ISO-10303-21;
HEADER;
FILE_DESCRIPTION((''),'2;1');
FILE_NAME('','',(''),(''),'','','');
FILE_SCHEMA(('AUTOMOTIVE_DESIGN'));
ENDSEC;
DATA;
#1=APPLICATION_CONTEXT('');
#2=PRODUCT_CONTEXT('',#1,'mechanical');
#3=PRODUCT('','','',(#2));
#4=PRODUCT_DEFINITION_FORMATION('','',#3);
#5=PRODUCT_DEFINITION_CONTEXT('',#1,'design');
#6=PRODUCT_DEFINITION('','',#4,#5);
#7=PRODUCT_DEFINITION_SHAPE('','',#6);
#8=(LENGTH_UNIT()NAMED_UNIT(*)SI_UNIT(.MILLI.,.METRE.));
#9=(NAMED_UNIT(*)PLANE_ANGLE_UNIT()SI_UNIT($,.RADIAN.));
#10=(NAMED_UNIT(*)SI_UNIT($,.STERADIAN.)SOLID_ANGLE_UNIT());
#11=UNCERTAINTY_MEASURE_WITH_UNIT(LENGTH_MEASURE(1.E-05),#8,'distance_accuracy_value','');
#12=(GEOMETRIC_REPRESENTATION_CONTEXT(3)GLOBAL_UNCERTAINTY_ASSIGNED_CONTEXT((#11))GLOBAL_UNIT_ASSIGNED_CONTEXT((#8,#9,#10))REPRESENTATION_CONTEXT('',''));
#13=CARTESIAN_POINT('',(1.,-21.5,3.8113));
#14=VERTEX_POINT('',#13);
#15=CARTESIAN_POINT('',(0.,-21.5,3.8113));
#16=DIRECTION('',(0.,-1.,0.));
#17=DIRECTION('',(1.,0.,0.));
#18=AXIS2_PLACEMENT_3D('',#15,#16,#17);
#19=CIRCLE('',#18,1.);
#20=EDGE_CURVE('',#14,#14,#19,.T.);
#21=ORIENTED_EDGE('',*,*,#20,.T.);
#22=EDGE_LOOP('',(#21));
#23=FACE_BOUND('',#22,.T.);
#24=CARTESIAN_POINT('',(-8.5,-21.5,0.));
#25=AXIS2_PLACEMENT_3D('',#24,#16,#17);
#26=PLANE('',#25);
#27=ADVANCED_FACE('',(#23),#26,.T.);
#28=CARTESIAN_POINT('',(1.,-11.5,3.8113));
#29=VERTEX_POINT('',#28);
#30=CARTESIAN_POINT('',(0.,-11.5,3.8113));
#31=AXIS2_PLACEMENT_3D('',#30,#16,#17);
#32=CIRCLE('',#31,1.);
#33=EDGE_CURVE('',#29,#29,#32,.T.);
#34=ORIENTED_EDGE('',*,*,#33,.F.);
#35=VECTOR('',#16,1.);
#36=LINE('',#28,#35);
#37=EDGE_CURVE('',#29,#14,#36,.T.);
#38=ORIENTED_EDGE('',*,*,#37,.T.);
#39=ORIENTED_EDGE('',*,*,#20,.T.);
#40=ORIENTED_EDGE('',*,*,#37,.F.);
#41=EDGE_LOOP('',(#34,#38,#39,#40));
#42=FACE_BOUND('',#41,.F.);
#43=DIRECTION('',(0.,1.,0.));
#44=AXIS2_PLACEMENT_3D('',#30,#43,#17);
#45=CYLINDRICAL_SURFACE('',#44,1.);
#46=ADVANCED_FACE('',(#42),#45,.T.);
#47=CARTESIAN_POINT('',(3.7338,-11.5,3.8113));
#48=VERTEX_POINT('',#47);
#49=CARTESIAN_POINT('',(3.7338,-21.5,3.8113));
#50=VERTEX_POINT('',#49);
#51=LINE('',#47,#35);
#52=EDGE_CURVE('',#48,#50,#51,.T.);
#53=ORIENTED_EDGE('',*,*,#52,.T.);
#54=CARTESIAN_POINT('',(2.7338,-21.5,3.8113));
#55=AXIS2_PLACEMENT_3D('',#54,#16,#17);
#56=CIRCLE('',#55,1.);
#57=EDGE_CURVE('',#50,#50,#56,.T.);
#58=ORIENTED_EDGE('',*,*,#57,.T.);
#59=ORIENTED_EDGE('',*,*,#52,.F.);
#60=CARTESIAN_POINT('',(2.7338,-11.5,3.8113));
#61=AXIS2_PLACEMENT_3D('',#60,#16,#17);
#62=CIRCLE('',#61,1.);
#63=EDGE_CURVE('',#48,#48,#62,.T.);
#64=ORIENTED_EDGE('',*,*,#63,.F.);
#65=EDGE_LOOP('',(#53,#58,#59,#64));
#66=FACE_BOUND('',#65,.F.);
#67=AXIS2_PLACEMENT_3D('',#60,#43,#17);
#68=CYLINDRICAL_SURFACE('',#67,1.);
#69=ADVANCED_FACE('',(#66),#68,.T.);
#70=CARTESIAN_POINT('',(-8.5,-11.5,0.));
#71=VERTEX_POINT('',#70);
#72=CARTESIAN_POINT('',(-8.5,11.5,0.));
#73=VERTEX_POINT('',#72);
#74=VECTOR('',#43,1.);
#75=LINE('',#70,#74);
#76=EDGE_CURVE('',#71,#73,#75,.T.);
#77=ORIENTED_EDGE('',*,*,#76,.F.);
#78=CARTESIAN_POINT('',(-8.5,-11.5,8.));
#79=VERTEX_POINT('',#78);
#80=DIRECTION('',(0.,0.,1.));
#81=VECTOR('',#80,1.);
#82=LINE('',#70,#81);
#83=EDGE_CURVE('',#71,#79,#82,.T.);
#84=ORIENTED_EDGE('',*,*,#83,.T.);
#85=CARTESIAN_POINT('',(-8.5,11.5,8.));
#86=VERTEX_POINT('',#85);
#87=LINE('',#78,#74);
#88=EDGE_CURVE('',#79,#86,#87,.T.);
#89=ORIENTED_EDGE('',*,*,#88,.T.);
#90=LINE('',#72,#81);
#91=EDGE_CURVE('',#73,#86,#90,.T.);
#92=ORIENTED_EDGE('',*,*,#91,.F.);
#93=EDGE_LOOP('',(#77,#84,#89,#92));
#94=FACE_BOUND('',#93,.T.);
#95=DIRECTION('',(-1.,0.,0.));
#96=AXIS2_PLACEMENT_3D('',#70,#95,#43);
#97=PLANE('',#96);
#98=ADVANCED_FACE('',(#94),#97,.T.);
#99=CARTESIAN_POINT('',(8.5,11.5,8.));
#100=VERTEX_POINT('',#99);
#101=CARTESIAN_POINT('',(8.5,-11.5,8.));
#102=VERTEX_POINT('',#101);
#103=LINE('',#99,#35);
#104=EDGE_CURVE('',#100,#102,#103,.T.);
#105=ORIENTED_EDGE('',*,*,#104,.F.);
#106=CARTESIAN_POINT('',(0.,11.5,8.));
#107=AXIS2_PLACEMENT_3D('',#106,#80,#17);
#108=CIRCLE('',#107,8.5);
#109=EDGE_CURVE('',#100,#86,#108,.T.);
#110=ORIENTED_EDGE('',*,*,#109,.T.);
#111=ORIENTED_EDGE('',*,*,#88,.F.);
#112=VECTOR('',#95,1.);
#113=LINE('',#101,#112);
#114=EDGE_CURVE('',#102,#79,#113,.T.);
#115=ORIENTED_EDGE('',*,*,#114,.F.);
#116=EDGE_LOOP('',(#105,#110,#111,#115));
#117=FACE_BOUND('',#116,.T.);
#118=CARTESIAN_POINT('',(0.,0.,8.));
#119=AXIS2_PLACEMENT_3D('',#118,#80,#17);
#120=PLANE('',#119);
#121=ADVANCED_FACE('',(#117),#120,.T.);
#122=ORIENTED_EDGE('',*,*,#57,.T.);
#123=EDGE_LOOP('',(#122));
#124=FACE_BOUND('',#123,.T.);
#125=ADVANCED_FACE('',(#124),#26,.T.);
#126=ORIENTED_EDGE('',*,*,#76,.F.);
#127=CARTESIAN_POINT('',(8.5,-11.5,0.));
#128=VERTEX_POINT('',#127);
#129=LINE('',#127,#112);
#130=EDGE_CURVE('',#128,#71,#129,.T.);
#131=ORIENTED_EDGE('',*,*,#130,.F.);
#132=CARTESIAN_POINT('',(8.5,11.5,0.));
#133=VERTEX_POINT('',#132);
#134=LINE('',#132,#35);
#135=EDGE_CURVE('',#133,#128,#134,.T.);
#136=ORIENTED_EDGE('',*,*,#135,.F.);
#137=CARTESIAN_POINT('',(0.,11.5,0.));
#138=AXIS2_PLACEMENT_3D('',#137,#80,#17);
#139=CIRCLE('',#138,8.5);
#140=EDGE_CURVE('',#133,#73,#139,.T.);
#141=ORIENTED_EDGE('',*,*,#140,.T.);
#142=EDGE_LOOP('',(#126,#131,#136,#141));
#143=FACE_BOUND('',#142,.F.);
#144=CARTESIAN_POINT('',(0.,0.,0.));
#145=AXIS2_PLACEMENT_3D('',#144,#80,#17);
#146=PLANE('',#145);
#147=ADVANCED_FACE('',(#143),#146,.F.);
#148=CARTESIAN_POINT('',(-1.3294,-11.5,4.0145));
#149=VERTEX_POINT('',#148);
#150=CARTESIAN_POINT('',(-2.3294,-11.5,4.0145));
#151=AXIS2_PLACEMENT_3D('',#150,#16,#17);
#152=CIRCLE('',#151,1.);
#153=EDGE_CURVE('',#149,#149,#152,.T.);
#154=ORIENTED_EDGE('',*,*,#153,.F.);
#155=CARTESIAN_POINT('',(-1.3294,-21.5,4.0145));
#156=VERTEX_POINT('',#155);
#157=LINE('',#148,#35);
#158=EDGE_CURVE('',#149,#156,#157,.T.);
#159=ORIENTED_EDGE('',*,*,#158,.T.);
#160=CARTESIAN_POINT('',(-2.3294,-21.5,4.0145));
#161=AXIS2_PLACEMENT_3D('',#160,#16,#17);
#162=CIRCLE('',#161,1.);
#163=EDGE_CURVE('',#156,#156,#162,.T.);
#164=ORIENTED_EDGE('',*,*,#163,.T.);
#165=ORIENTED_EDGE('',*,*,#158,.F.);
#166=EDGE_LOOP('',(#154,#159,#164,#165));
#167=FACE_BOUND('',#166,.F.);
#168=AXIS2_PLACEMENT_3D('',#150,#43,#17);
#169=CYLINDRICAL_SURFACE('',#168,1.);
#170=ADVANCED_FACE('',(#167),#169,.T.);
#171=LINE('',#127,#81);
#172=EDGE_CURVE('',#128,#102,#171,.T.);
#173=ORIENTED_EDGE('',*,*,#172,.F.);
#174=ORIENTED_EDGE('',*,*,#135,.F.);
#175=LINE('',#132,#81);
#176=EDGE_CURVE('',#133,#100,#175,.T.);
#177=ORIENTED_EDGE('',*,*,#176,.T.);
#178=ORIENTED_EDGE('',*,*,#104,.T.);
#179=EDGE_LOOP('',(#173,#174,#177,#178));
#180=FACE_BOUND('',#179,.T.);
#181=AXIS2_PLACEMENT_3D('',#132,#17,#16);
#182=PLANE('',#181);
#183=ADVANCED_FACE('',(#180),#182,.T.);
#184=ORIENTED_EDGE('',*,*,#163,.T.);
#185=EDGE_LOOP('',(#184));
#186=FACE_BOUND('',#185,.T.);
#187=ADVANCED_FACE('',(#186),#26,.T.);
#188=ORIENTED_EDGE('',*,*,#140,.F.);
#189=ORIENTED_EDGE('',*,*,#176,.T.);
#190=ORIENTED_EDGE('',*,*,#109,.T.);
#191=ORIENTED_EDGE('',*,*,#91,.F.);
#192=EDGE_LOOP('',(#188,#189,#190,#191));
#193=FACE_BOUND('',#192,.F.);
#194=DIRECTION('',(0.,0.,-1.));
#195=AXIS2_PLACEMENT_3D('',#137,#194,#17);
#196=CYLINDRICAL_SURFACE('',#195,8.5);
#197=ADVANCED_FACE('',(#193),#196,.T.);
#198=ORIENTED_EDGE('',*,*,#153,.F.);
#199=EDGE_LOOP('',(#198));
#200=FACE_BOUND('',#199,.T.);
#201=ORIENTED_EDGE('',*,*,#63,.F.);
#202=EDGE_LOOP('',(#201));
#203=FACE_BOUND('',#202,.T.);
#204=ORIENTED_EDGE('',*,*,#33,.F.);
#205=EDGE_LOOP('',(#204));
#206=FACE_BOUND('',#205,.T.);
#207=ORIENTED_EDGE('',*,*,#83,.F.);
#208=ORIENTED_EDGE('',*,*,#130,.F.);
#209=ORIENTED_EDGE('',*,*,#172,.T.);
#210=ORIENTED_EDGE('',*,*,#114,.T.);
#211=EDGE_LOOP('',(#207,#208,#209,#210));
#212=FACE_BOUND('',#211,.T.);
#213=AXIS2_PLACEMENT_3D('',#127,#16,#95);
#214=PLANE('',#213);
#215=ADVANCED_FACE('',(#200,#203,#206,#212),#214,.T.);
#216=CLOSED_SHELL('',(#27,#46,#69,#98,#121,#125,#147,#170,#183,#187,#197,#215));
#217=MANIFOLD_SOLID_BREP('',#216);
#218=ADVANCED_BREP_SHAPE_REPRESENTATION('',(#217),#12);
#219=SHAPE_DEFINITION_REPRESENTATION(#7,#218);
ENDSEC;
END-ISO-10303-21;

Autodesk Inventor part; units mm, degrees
ref_plane "YZ Plane" through (0, 0, 0) normal (1, 0, 0) x (0, 1, 0)
ref_plane "XZ Plane" through (0, 0, 0) normal (0, 1, 0) x (-1, 0, 0)
ref_plane "XY Plane" through (0, 0, 0) normal (0, 0, 1) x (1, 0, 0)
sketch "Sketch1" plane through (0, 0, 0) normal (0, 0, 1) x (1, 0, 0)
  line L0 (-8.5, 11.5) -> (8.5, 11.5)
  line L1 (8.5, 11.5) -> (8.5, -11.5)
  line L2 (8.5, -11.5) -> (-8.5, -11.5)
  line L3 (-8.5, -11.5) -> (-8.5, 11.5)
  line L4 (-8.5, 11.5) -> (8.5, -11.5) construction
  line L5 (8.5, 11.5) -> (-8.5, -11.5) construction
  arc A0 (8.5, 11.5) -> (-8.5, 11.5) centre (0, 11.5) ccw
  point P0 (0, 0)
  dimension "d0" = 23
  dimension "d1" = 17
extrude "Extrusion1" add sketch "Sketch1" along normal blind 8
sketch "Sketch3" plane through (0, 0, 8) normal (0, 0, 1) x (1, 0, 0)
  line L0 (-8.5, 11.5) -> (-8.5, -11.5) projected
  line L1 (8.5, -11.5) -> (8.5, 11.5) projected
  line L2 (-8.5, 11.5) -> (8.5, 11.5)
  point P0 (0, 0)
sketch "Sketch4" plane through (-8.5, -11.5, 0) normal (0, -1, 0) x (1, 0, 0)
  circle A0 centre (6.1706, 4.0145) radius 1
  circle A1 centre (11.2338, 3.8113) radius 1
  circle A2 centre (8.5, 3.8113) radius 1
  point P0 (8.5, 0)
  dimension "d4" = 2
  dimension "d6" = 2
  dimension "d9" = 2
extrude "Extrusion2" add sketch "Sketch4" along normal blind 10 contours A0 | A1
extrude "Extrusion3" add sketch "Sketch4" along normal blind 10 contours A2
properties part number "temperature sensor" material "Rubber, Silicone"
